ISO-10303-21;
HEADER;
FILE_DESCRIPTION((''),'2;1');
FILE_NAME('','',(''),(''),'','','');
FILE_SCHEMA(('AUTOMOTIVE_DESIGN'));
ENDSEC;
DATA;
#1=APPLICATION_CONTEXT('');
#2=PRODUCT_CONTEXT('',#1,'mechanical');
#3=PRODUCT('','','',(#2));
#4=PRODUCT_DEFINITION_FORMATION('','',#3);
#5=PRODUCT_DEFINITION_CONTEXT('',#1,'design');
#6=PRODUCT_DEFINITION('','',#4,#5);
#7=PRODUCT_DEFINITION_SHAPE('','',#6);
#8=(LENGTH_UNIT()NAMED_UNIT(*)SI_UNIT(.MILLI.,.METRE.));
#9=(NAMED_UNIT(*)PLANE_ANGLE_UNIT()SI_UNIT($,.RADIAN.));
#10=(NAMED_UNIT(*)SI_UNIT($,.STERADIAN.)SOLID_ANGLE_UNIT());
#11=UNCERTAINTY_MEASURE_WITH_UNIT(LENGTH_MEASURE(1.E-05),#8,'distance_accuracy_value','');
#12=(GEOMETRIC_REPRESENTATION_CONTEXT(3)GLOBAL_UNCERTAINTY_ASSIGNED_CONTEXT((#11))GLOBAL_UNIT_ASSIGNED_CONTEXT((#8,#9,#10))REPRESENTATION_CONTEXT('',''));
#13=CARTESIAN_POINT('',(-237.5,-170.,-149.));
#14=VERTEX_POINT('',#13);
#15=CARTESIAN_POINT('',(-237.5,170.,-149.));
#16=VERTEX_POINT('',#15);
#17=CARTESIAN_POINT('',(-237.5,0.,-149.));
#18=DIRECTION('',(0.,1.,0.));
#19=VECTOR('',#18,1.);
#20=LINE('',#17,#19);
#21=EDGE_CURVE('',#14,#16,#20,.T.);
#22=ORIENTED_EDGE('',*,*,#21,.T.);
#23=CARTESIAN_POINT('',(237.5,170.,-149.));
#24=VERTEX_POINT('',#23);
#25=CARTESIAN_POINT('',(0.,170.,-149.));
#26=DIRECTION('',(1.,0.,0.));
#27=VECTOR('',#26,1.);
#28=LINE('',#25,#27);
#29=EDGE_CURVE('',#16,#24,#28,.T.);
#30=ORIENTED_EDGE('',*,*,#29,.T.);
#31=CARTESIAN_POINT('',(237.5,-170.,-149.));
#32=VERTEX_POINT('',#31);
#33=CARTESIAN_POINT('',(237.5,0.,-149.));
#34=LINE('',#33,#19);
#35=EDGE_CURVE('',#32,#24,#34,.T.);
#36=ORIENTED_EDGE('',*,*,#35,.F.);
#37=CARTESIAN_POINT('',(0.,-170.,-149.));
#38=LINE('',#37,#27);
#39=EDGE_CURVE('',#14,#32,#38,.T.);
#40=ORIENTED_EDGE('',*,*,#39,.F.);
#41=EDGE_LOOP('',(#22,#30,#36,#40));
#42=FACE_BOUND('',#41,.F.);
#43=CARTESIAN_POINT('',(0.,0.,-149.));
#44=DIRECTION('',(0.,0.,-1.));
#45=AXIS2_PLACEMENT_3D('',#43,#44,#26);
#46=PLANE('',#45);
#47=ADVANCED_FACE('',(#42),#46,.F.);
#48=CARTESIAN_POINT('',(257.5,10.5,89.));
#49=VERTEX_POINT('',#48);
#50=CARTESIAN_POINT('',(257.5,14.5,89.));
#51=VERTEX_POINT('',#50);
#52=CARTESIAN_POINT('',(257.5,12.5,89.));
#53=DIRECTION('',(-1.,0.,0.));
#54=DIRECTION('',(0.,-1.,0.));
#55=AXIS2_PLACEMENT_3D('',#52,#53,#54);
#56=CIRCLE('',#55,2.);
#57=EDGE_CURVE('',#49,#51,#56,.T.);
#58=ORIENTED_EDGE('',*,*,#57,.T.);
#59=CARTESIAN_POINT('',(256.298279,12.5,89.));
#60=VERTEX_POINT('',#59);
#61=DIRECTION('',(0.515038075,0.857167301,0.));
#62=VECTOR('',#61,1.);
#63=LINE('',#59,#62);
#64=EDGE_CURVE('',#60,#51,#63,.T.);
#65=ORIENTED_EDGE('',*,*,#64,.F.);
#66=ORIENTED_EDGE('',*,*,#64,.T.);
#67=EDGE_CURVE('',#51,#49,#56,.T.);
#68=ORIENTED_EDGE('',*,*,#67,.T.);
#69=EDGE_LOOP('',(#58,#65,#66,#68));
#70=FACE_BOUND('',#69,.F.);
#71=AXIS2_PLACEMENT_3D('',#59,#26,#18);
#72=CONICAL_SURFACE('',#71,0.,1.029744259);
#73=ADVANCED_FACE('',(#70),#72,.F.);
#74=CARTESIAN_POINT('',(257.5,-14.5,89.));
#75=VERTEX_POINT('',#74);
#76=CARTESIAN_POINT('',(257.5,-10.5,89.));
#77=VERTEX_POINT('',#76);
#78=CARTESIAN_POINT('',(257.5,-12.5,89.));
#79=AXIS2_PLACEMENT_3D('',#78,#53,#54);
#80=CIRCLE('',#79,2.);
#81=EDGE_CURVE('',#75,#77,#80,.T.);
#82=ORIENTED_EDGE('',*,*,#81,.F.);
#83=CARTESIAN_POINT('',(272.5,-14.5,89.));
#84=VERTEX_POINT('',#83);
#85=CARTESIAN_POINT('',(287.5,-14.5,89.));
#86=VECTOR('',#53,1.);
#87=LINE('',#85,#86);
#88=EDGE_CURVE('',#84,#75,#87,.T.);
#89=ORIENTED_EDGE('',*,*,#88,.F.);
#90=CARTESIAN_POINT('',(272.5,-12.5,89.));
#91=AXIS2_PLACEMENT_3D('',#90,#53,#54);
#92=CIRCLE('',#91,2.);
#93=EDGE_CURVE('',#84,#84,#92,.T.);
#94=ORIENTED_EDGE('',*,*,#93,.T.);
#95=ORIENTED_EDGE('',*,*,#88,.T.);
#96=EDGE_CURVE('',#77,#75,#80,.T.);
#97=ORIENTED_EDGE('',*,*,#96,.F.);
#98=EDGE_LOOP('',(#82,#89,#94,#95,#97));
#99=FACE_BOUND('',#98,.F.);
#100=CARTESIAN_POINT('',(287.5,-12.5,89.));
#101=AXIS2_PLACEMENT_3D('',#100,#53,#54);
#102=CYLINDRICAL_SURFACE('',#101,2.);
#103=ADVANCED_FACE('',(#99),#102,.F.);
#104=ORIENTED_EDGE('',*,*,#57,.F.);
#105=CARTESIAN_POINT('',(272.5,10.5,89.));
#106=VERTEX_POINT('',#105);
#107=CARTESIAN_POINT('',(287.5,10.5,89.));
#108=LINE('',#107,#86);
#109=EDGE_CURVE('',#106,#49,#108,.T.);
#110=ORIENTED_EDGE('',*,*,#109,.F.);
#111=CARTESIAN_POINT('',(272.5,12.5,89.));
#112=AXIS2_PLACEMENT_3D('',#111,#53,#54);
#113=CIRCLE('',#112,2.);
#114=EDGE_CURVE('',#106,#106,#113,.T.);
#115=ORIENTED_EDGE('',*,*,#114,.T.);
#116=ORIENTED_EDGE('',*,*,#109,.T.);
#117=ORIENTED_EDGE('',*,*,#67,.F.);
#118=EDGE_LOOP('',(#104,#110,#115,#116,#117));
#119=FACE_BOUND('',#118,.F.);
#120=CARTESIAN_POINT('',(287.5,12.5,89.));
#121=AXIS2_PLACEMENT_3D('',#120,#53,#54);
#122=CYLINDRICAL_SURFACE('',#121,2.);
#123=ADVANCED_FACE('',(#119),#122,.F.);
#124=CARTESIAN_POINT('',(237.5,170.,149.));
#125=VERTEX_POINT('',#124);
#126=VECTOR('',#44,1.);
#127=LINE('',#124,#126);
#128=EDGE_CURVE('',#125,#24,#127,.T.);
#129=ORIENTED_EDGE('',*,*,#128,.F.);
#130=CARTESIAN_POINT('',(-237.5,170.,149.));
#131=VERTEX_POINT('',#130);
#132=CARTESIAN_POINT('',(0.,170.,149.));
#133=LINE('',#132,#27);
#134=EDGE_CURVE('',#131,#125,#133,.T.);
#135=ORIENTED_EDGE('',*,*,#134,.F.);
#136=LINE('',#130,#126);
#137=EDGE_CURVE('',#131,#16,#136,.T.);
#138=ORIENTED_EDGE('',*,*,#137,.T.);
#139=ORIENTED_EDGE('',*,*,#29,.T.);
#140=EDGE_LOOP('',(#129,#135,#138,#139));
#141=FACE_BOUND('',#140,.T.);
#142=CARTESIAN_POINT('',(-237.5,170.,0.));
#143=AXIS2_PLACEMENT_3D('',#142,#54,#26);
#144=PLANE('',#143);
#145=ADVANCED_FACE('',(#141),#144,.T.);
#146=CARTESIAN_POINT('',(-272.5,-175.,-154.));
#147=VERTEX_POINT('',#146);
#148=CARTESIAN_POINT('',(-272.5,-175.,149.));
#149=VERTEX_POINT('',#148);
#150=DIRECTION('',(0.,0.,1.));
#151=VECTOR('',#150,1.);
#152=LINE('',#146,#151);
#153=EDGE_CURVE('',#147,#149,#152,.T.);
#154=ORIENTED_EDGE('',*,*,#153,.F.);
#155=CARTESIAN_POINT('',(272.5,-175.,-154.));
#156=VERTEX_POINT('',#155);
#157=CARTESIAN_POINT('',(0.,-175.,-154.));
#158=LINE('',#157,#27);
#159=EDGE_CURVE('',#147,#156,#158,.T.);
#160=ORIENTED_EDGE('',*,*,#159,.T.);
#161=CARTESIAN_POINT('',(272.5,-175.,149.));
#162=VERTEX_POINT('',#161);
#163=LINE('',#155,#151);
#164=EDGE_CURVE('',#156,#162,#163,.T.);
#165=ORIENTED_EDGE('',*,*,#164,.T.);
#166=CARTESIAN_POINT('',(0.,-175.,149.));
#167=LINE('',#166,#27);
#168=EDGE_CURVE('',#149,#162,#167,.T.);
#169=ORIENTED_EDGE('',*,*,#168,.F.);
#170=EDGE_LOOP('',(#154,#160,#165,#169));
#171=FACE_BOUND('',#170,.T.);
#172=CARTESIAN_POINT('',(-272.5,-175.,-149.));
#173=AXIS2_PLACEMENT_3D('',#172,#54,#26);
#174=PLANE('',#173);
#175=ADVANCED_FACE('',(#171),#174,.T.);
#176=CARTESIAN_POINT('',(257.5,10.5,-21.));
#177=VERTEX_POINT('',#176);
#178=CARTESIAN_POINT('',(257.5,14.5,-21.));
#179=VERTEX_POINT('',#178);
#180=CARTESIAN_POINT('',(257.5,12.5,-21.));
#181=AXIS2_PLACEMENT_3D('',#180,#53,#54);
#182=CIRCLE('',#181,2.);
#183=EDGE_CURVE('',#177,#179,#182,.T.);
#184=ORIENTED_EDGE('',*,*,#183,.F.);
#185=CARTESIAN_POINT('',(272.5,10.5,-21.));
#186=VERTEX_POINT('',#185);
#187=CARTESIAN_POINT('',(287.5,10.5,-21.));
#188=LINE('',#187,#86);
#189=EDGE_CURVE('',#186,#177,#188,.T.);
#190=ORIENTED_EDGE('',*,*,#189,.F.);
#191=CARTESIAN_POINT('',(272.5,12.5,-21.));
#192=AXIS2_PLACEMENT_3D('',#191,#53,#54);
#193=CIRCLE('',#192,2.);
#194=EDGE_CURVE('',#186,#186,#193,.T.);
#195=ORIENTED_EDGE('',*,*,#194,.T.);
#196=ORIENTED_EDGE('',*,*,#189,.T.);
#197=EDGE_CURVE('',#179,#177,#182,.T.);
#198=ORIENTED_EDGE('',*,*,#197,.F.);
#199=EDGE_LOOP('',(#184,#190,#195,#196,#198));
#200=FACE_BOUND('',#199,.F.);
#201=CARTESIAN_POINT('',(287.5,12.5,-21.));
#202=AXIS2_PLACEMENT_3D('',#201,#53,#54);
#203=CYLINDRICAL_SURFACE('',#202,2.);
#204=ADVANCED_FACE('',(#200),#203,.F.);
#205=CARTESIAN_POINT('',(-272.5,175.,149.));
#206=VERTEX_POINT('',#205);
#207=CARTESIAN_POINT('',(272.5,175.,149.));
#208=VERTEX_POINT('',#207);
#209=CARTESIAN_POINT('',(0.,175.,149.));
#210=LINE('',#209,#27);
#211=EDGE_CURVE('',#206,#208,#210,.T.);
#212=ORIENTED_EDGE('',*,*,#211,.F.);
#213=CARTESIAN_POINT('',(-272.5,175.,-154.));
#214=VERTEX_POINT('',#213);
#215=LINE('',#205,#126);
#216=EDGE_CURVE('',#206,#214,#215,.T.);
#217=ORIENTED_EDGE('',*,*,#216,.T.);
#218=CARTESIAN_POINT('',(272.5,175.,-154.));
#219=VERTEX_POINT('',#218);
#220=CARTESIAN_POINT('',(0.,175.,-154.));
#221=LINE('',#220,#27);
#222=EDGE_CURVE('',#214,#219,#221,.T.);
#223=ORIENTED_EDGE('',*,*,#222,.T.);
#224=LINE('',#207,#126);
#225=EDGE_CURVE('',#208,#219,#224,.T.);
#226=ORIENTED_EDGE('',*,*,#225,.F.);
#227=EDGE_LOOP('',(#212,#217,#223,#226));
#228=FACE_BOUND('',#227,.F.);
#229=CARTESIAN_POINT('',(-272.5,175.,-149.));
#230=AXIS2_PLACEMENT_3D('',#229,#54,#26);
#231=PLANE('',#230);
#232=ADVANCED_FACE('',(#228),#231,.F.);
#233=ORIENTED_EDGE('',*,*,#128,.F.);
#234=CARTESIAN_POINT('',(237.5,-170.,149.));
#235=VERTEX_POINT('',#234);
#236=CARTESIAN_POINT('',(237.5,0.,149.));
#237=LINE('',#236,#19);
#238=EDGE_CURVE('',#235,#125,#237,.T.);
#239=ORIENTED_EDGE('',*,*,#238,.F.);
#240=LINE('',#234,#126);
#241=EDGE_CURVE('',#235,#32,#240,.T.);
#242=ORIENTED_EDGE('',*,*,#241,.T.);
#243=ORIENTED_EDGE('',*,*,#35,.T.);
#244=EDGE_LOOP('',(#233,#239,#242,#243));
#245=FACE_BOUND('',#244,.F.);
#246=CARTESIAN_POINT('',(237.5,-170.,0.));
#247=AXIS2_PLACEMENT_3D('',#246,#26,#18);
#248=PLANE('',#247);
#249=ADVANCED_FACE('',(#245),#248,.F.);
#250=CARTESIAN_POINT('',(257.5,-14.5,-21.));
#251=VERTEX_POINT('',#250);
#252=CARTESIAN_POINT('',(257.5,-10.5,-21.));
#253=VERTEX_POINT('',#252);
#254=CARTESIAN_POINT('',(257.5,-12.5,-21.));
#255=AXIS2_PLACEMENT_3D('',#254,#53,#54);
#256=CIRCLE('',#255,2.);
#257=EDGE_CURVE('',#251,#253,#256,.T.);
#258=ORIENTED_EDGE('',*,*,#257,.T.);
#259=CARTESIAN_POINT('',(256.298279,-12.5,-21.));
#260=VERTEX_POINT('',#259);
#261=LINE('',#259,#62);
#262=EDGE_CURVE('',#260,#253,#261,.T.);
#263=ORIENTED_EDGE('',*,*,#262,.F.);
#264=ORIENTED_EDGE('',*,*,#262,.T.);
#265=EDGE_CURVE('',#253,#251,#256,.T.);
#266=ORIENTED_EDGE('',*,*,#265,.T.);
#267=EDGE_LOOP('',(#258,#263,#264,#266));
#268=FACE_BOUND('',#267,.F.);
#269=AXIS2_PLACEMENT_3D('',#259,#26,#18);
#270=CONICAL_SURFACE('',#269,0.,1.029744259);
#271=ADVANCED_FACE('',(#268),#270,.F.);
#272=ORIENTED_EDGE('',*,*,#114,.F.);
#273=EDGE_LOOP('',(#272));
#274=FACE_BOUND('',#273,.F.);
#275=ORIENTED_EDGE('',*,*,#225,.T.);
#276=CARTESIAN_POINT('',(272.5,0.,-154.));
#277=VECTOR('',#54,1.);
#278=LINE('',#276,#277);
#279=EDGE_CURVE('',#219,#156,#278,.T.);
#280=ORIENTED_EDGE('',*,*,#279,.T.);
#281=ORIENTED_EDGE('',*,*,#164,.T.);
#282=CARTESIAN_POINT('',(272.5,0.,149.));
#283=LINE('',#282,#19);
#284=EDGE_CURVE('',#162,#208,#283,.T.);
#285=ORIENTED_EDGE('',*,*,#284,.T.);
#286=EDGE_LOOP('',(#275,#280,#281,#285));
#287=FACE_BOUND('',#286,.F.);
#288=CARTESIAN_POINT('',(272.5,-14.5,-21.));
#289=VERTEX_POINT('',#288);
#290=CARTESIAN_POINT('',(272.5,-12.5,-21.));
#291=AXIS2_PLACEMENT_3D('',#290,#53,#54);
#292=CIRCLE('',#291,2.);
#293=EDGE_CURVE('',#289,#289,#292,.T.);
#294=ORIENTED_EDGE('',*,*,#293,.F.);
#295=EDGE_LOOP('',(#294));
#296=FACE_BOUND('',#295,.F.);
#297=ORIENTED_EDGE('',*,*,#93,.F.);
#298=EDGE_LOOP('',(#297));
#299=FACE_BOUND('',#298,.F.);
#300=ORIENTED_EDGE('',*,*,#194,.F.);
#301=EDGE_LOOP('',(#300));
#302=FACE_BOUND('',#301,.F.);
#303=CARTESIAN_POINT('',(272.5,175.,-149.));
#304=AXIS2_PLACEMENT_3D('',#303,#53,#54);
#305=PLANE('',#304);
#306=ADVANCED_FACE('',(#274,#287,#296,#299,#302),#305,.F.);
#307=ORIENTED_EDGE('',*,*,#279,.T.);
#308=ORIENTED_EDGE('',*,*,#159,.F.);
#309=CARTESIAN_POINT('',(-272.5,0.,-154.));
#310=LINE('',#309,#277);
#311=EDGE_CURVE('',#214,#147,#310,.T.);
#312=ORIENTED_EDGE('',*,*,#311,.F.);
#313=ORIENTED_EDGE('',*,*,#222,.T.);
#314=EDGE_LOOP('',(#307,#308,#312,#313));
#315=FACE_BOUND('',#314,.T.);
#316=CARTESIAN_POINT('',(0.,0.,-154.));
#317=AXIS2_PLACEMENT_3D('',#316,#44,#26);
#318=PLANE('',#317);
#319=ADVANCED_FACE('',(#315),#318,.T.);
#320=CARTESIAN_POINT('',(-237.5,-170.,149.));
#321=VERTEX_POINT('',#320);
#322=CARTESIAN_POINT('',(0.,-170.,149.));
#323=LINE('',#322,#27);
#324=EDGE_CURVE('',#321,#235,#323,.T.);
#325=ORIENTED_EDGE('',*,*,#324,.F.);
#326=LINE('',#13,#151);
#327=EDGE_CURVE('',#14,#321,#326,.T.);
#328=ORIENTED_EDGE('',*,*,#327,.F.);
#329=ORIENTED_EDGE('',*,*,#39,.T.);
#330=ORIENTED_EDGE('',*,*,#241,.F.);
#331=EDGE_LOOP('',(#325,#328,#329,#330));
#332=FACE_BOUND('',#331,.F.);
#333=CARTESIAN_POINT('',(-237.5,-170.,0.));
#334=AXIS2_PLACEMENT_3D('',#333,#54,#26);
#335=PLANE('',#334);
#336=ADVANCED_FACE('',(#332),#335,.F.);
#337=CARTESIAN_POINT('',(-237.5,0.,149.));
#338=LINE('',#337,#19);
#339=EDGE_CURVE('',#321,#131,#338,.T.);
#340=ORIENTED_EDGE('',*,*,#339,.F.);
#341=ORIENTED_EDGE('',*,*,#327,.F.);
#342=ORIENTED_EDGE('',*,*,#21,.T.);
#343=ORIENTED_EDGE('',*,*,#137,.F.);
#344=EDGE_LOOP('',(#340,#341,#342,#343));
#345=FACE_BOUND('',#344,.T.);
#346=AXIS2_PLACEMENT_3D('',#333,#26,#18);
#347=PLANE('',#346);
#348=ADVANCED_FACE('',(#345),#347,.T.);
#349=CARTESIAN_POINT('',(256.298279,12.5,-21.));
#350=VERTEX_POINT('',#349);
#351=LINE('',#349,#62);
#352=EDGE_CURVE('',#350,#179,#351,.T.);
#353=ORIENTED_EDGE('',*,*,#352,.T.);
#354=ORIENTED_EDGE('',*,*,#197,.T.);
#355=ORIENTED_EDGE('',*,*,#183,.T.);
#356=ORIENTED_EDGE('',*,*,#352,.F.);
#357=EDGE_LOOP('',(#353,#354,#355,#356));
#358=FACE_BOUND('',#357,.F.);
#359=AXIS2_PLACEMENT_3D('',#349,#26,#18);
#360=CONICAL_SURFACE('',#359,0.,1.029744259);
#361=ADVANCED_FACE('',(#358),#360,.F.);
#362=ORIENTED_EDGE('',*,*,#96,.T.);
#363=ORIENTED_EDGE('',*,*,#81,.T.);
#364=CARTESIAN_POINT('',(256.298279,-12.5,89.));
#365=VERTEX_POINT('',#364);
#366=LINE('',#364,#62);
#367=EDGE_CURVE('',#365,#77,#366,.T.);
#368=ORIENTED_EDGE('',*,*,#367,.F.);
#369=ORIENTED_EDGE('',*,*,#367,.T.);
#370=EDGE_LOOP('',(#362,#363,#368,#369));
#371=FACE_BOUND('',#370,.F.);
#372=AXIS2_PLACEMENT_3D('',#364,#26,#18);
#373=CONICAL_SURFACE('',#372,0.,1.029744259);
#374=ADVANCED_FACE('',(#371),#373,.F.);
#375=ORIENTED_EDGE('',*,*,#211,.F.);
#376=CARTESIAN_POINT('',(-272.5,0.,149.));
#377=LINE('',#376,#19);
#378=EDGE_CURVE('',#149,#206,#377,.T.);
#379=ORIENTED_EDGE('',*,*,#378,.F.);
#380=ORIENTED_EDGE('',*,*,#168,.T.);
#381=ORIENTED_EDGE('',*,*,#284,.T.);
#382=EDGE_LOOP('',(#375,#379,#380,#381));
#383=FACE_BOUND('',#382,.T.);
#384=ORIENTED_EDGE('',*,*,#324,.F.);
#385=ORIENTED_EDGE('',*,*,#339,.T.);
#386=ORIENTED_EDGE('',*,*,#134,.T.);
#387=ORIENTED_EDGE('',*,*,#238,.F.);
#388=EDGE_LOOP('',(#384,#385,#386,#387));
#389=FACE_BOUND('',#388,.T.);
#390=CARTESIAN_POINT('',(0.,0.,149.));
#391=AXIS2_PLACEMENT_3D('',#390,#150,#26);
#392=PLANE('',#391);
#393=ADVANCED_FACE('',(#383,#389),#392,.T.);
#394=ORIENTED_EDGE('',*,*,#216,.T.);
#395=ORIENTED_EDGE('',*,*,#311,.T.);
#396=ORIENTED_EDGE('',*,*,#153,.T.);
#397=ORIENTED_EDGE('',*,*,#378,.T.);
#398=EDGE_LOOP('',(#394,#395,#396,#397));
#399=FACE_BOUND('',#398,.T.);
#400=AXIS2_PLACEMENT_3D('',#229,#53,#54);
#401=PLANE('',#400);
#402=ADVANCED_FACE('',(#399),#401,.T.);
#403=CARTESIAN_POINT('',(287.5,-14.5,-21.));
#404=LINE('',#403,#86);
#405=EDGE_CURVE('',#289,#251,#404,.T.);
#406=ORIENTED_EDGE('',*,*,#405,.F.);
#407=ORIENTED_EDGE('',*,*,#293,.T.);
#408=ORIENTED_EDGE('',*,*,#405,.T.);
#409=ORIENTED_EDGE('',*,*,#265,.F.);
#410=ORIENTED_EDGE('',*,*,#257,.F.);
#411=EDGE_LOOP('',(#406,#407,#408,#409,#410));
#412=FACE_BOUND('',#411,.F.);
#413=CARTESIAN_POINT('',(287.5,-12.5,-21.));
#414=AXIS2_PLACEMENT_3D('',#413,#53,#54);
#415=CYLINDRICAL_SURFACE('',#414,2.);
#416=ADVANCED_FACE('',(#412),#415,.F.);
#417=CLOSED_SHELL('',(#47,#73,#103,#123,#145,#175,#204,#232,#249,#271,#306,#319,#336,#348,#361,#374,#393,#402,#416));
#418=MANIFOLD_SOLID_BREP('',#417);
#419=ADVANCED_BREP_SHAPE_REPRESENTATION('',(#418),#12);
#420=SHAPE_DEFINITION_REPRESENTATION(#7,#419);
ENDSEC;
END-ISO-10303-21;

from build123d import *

# Parameters (mm, degrees)
F0_W     = 545
F0_H     = 350
F0_W_2   = 475
F0_H_2   = 340
F1_DEPTH = 149
F3_W     = 545
F3_H     = 350
F4_DEPTH = 5
F5_D     = 4
F5_DEPTH = 15
F5_TIP   = 1.2017212381


with BuildPart() as f1:
    # F0 (on Top) → F1 (new body, symmetric)
    with BuildSketch(Plane.XY):
        Rectangle(F0_W, F0_H)
        Rectangle(F0_W_2, F0_H_2, mode=Mode.SUBTRACT)
    extrude(amount=F1_DEPTH, both=True)

    # F3 (on face) → F4 (join)
    with BuildSketch(Plane(origin=(0, 0, -149), x_dir=(1, 0, 0), z_dir=(0, 0, -1))):
        Rectangle(F3_W, F3_H)
    extrude(amount=F4_DEPTH)

    # F5
    with Locations(Plane.YZ.offset(272.5)):
        with Locations((-12.5, 89), (12.5, 89), (-12.5, -21), (12.5, -21)):
            Hole(F5_D / 2, depth=F5_DEPTH)
            with Locations((0, 0, -(F5_DEPTH + F5_TIP / 2))):  # 118° drill point
                Cone(0, F5_D / 2, F5_TIP, mode=Mode.SUBTRACT)


solid = f1.part
